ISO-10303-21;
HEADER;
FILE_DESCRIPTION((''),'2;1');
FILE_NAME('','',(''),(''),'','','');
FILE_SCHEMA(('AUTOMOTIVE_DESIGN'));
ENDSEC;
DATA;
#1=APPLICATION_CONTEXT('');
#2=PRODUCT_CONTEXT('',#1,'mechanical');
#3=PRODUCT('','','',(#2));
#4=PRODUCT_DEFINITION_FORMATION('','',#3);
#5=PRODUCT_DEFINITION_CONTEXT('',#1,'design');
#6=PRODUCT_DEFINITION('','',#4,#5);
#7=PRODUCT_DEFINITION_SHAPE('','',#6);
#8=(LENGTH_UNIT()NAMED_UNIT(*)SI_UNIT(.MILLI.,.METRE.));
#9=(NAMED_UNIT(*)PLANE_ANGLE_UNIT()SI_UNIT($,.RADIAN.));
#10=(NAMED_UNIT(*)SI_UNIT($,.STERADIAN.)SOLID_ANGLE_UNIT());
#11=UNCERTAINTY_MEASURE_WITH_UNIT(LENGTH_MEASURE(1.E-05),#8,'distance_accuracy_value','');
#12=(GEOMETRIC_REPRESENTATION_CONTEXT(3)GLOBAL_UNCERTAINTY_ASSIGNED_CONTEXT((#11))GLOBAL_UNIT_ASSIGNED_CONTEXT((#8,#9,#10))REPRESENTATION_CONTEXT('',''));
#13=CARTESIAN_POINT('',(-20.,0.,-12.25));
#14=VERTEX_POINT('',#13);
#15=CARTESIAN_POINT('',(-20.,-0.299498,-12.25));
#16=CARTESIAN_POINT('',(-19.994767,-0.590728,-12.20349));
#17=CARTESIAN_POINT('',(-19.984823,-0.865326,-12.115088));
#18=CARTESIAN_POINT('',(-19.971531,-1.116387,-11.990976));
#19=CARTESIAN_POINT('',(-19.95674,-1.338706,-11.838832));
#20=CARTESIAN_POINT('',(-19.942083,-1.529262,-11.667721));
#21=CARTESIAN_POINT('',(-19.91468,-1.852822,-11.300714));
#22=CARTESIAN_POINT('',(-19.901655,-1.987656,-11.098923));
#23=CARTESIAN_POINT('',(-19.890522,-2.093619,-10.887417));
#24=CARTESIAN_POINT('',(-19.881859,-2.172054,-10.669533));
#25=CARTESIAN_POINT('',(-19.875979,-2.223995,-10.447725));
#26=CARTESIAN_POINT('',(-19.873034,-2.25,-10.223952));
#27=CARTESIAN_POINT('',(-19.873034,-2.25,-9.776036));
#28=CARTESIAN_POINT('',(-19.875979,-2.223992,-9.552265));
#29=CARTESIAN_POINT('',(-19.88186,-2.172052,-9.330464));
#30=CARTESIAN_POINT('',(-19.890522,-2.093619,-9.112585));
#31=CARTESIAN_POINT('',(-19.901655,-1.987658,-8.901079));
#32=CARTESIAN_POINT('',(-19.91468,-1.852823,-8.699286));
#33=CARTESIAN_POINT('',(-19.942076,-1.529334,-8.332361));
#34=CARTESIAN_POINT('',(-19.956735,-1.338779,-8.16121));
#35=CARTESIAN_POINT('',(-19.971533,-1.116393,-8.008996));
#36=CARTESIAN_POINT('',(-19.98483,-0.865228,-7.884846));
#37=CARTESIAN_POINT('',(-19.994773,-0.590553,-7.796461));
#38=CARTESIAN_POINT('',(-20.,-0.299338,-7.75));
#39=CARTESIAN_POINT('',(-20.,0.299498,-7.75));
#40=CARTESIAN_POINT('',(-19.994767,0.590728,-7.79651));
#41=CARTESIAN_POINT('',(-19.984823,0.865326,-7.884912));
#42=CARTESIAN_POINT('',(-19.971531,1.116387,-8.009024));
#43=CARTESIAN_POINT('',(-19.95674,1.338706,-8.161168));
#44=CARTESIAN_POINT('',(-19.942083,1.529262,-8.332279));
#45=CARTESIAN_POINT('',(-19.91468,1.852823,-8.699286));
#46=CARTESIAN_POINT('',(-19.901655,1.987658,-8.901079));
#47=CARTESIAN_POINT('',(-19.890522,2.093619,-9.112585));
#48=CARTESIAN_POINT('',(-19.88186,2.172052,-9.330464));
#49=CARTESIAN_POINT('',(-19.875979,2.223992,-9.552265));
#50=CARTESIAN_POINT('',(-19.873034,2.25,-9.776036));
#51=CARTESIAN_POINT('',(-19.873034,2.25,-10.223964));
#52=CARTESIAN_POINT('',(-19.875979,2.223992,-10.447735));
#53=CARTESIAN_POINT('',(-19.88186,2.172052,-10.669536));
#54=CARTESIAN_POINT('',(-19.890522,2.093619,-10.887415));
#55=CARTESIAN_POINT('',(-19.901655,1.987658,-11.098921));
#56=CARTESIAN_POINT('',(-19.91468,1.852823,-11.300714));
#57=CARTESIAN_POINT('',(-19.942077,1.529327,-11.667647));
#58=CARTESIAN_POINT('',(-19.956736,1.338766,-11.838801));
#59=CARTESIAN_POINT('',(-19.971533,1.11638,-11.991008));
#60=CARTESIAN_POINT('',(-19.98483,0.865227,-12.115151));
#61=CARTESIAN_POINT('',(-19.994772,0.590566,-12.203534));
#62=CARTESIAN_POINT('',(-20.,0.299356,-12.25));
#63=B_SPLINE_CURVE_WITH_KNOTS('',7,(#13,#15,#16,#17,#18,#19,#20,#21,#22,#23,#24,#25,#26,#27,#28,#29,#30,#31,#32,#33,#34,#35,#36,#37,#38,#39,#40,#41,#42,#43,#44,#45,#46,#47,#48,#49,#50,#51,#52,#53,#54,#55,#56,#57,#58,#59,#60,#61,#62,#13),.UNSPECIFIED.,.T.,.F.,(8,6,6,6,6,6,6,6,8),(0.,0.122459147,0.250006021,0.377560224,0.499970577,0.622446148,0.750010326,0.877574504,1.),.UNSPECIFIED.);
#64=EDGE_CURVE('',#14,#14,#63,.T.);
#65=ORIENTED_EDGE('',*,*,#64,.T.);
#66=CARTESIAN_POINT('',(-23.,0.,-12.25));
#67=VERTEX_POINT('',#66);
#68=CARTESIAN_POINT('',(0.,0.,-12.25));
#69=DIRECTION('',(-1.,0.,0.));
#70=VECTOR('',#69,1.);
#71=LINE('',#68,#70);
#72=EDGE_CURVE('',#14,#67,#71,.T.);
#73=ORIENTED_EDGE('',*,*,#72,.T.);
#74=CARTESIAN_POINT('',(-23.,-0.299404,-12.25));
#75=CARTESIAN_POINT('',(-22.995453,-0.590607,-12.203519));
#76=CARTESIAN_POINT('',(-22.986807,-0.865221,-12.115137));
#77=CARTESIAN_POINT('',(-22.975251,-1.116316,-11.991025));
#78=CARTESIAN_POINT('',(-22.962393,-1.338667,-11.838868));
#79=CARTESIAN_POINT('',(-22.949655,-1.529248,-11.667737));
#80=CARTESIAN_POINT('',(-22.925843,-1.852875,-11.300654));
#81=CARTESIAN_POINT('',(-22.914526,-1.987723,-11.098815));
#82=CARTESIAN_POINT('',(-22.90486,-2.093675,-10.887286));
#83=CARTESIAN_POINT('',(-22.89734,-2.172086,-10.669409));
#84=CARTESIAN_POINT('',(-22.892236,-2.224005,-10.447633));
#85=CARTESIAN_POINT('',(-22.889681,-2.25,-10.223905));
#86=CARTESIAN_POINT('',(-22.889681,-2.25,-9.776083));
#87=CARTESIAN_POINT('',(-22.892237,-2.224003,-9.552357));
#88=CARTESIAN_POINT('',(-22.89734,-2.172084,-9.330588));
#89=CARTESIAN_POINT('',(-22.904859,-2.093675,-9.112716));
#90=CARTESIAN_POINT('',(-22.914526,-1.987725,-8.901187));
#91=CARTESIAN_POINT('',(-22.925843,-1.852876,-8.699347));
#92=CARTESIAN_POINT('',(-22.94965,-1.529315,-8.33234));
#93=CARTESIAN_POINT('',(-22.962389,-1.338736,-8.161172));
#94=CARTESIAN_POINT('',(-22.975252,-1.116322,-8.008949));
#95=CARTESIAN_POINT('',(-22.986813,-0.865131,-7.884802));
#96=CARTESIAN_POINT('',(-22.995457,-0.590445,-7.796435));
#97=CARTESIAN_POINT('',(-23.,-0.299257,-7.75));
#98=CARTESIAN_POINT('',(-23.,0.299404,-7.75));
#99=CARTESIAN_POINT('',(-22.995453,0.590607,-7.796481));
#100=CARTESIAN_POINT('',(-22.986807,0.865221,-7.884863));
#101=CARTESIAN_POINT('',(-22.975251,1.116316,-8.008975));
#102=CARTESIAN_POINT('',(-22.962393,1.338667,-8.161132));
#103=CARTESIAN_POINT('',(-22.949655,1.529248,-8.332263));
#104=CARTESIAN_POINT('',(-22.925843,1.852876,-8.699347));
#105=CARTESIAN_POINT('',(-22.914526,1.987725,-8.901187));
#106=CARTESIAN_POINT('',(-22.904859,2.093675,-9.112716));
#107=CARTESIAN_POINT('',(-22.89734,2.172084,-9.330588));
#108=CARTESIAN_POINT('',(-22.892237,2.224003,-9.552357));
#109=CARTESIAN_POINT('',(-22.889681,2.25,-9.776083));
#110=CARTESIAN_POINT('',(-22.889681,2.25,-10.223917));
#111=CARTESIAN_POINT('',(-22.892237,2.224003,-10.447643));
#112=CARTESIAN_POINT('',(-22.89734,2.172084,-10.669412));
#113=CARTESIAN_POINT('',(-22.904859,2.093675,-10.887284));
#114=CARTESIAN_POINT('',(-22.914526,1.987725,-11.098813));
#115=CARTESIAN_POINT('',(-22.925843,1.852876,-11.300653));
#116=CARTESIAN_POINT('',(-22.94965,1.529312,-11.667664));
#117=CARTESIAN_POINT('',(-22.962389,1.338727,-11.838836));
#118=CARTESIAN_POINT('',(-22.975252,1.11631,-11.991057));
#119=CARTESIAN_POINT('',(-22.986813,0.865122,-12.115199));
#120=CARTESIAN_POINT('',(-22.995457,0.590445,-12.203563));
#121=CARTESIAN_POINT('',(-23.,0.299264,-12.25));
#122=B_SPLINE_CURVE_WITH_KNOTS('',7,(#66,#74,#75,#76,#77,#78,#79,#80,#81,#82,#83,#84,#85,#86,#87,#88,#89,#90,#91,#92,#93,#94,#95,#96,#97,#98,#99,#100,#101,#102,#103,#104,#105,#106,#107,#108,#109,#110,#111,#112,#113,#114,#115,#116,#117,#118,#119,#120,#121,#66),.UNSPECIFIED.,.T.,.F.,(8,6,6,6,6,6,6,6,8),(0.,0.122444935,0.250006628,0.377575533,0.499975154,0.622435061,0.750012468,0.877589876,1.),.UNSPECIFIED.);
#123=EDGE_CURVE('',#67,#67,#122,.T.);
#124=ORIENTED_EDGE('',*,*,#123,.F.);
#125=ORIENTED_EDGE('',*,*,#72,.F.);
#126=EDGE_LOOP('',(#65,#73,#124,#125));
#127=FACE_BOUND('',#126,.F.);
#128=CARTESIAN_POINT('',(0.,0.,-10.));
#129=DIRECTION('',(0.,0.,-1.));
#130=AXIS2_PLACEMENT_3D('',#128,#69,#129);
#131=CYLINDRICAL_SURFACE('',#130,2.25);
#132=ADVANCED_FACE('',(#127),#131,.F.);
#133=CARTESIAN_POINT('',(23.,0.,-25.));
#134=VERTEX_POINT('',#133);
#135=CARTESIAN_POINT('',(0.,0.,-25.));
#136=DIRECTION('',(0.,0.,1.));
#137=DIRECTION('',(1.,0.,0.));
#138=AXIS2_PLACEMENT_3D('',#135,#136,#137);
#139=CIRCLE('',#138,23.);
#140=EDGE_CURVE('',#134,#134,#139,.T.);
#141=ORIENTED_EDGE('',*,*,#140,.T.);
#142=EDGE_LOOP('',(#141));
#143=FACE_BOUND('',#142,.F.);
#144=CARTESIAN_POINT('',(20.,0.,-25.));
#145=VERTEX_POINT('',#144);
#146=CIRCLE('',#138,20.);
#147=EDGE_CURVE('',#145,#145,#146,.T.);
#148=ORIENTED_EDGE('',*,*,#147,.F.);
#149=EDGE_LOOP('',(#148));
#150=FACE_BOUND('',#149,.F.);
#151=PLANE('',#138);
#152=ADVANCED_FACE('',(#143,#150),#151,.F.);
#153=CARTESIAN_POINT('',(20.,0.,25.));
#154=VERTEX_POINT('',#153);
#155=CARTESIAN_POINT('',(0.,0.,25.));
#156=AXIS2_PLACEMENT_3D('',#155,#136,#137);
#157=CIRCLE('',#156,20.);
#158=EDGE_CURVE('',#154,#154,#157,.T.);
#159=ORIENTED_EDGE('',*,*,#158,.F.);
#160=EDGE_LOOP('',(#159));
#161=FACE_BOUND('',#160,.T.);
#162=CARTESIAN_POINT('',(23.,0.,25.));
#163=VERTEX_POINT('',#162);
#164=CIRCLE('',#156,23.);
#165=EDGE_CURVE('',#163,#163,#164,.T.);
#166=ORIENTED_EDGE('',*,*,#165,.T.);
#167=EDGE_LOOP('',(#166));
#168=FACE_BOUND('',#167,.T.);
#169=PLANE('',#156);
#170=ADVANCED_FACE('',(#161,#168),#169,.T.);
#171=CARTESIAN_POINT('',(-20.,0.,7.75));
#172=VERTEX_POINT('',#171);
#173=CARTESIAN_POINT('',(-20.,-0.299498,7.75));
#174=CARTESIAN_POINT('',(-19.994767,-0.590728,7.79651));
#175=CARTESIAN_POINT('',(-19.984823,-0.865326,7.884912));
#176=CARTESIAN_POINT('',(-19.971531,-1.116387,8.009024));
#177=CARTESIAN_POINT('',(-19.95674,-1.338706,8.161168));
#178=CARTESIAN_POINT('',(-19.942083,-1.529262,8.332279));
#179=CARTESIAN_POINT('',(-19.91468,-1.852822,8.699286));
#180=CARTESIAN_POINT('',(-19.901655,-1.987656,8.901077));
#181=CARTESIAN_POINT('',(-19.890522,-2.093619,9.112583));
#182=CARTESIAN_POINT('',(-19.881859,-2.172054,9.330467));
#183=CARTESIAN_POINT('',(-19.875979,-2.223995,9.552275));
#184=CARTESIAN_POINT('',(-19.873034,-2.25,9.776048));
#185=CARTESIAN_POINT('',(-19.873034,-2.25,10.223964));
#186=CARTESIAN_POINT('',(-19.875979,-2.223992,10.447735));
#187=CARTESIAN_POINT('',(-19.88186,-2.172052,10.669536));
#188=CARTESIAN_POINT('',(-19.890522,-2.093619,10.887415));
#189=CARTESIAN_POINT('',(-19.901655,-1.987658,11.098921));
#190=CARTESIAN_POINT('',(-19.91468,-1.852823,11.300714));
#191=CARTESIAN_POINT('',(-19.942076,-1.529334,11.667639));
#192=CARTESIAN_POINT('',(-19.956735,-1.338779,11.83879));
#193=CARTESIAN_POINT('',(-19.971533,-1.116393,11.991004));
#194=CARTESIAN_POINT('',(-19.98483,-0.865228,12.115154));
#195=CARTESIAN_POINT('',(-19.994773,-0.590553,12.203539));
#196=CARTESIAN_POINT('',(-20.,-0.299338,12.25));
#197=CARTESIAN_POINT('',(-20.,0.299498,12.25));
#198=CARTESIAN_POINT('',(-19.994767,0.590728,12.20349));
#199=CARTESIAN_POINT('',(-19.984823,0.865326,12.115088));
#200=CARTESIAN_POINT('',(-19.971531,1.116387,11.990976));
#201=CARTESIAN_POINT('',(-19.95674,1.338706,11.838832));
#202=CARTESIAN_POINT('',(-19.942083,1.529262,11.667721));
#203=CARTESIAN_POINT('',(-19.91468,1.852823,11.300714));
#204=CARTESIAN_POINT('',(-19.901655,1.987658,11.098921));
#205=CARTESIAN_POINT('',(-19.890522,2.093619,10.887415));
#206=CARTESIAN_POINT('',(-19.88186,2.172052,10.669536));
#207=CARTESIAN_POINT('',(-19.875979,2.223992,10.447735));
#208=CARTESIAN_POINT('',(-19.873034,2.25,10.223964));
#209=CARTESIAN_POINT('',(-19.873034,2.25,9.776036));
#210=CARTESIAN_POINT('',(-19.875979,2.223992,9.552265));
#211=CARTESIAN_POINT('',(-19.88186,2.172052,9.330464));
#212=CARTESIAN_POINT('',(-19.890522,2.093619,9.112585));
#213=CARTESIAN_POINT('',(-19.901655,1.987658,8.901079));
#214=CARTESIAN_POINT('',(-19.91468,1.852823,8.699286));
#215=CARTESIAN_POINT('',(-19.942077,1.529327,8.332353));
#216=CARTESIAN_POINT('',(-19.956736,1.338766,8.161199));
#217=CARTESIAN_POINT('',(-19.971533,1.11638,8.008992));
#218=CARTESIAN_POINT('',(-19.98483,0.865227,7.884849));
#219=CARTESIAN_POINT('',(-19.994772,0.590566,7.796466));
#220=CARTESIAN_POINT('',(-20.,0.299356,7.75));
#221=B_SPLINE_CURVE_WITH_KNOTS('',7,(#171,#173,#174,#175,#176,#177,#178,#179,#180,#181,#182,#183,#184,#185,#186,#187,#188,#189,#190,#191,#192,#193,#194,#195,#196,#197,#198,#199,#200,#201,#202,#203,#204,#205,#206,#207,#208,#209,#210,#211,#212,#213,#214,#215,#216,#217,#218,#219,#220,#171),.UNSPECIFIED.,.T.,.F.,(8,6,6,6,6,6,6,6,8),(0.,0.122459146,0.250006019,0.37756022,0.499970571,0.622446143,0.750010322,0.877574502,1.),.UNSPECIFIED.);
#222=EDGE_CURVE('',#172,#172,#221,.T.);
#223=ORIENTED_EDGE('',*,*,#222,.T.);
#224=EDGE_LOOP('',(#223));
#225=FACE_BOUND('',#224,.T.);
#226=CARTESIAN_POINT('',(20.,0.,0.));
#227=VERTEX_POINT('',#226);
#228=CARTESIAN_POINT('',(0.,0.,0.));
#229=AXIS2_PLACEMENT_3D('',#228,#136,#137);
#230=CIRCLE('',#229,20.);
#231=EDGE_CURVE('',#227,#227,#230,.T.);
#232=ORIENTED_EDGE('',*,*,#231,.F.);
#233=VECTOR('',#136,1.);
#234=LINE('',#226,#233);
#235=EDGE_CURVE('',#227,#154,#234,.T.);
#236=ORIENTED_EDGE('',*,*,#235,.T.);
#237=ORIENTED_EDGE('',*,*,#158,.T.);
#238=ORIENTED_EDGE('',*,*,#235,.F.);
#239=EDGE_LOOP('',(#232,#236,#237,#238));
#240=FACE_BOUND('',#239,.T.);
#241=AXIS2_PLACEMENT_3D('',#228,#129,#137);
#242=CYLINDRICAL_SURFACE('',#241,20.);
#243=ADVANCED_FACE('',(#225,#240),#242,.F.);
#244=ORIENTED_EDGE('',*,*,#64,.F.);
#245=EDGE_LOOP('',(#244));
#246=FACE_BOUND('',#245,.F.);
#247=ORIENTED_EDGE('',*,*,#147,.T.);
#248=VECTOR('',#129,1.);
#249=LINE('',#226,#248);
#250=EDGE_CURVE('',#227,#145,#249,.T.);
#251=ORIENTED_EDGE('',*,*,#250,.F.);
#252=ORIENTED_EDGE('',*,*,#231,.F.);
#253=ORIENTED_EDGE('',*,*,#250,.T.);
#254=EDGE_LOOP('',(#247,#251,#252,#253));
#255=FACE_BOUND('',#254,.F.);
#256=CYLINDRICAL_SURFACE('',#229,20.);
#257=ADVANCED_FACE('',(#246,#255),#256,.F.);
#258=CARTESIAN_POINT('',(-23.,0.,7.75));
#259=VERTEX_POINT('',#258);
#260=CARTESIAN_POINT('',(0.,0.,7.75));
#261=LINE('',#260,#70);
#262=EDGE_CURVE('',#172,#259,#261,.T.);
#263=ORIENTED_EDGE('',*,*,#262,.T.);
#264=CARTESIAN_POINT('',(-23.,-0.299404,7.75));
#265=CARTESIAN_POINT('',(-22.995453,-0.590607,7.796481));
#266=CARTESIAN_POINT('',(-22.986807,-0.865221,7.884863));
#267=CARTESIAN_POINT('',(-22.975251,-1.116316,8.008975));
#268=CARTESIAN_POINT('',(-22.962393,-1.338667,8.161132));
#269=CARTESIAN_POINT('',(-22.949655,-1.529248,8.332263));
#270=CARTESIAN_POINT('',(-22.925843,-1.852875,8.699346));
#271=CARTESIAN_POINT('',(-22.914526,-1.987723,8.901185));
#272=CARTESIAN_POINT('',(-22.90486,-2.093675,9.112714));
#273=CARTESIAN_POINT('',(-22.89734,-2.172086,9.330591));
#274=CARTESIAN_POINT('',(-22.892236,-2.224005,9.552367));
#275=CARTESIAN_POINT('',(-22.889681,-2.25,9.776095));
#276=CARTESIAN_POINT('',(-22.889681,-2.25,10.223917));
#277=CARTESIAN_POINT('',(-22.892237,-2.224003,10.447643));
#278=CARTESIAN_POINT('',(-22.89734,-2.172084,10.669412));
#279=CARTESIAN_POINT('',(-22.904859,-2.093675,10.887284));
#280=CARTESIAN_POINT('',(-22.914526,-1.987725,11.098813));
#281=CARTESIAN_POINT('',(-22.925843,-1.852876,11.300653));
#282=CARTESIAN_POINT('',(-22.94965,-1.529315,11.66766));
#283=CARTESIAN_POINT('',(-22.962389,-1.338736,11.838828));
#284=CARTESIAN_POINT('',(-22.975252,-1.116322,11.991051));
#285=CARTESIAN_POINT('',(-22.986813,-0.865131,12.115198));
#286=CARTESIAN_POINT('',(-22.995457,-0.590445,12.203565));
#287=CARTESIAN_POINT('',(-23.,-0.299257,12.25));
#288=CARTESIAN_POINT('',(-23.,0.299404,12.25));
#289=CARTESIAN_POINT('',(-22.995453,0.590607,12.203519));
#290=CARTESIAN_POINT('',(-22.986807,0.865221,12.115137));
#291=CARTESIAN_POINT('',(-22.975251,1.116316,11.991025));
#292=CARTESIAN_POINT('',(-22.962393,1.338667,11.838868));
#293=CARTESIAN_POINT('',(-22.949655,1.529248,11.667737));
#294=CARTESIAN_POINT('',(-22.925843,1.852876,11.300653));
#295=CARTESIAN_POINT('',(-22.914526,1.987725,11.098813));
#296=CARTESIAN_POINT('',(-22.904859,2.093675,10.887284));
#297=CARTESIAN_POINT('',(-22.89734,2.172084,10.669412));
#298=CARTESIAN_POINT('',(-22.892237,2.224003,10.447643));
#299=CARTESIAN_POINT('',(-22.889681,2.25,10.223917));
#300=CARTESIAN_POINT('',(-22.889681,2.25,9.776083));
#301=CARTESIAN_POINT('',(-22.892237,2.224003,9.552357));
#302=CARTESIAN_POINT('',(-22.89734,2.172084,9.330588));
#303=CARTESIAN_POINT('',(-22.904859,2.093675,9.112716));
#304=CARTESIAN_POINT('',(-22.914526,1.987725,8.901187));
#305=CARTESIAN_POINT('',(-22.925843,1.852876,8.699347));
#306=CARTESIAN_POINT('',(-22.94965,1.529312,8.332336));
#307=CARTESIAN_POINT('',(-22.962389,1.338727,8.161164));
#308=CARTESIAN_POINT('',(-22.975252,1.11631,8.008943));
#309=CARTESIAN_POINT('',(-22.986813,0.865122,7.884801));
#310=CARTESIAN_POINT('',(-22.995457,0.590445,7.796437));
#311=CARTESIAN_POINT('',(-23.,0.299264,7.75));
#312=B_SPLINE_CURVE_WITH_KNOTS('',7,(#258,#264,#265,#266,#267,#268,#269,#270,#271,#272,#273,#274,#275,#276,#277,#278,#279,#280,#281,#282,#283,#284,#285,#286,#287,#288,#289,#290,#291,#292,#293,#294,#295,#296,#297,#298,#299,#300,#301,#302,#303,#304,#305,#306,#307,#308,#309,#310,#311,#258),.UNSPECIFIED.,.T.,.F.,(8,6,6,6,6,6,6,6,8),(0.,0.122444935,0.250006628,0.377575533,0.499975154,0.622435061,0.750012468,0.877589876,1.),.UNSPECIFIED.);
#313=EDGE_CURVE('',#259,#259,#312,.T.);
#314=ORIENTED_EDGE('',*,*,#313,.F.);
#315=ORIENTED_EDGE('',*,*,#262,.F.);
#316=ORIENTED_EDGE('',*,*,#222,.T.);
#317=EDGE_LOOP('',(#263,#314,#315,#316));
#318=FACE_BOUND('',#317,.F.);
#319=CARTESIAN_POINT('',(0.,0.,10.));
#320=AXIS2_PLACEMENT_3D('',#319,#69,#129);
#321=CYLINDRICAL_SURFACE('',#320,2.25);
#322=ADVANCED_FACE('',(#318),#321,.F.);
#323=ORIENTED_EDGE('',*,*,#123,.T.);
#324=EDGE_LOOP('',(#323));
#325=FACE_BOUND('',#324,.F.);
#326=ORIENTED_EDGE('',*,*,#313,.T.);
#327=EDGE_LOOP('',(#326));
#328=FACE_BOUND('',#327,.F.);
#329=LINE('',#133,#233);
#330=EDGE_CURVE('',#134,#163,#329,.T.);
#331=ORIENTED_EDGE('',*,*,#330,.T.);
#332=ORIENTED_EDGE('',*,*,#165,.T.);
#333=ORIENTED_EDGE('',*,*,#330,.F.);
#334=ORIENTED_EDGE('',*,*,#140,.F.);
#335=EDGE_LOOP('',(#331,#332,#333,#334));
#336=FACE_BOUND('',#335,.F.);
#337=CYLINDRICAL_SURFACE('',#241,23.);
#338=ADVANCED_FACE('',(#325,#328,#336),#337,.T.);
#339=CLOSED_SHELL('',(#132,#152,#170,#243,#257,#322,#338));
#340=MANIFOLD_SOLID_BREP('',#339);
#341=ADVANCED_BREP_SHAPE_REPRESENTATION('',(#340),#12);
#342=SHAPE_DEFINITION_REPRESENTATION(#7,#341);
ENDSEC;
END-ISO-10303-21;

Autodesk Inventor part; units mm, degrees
ref_plane "YZ Plane" through (0, 0, 0) normal (1, 0, 0) x (0, 1, 0)
ref_plane "XZ Plane" through (0, 0, 0) normal (0, 1, 0) x (-1, 0, 0)
ref_plane "XY Plane" through (0, 0, 0) normal (0, 0, 1) x (1, 0, 0)
sketch "Sketch1" plane through (0, 0, 0) normal (0, 0, 1) x (1, 0, 0)
  circle A0 centre (0, 0) radius 20
  circle A1 centre (0, 0) radius 23
  dimension "d0" = 40
  dimension "d1" = 46
extrude "Extrusion1" add sketch "Sketch1" along normal mid plane 50
sketch "Sketch2" plane through (0, 0, 0) normal (1, 0, 0) x (0, 1, 0)
  line L0 (0, 105) -> (0, -105) projected
  line L1 (-105, 0) -> (105, 0) projected
  line L2 (23, 25) -> (-23, 25) projected
  line L3 (-23, -25) -> (23, -25) projected
  point P0 (0, 0)
  point P1 (0, 10)
  point P2 (0, -10)
  point P3 (0, -25)
  dimension "d21" = 20
  dimension "d22" = 15
hole "Hole1" at (0, 0, 10) at (0, 0, -10) direction (-1, 0, 0) diameter 4.5 end through all clearance for "Flat Head Machine Screw" size "M4" standard "Ansi Metric M Profile"
sketch "Sketch3" plane through (0, 0, 0) normal (1, 0, 0) x (0, 1, 0)
  line L0 (23, -25) -> (7, -25)
  line L1 (7, -25) -> (7, 25)
  line L2 (7, 25) -> (23, 25)
  line L3 (23, 25) -> (23, -25)
  line L4 (23, 25) -> (-23, 25) projected
  line L5 (-23, -25) -> (23, -25) projected
  line L6 (0, 195.3) -> (0, -195.3) projected
  point P0 (0, 0)
  dimension "d13" = 0
  dimension "d14" = 0
  dimension "d15" = 7
extrude "Extrusion2" [suppressed]
properties part number "Top_Separator Pipe" material "PVC-Piping"
